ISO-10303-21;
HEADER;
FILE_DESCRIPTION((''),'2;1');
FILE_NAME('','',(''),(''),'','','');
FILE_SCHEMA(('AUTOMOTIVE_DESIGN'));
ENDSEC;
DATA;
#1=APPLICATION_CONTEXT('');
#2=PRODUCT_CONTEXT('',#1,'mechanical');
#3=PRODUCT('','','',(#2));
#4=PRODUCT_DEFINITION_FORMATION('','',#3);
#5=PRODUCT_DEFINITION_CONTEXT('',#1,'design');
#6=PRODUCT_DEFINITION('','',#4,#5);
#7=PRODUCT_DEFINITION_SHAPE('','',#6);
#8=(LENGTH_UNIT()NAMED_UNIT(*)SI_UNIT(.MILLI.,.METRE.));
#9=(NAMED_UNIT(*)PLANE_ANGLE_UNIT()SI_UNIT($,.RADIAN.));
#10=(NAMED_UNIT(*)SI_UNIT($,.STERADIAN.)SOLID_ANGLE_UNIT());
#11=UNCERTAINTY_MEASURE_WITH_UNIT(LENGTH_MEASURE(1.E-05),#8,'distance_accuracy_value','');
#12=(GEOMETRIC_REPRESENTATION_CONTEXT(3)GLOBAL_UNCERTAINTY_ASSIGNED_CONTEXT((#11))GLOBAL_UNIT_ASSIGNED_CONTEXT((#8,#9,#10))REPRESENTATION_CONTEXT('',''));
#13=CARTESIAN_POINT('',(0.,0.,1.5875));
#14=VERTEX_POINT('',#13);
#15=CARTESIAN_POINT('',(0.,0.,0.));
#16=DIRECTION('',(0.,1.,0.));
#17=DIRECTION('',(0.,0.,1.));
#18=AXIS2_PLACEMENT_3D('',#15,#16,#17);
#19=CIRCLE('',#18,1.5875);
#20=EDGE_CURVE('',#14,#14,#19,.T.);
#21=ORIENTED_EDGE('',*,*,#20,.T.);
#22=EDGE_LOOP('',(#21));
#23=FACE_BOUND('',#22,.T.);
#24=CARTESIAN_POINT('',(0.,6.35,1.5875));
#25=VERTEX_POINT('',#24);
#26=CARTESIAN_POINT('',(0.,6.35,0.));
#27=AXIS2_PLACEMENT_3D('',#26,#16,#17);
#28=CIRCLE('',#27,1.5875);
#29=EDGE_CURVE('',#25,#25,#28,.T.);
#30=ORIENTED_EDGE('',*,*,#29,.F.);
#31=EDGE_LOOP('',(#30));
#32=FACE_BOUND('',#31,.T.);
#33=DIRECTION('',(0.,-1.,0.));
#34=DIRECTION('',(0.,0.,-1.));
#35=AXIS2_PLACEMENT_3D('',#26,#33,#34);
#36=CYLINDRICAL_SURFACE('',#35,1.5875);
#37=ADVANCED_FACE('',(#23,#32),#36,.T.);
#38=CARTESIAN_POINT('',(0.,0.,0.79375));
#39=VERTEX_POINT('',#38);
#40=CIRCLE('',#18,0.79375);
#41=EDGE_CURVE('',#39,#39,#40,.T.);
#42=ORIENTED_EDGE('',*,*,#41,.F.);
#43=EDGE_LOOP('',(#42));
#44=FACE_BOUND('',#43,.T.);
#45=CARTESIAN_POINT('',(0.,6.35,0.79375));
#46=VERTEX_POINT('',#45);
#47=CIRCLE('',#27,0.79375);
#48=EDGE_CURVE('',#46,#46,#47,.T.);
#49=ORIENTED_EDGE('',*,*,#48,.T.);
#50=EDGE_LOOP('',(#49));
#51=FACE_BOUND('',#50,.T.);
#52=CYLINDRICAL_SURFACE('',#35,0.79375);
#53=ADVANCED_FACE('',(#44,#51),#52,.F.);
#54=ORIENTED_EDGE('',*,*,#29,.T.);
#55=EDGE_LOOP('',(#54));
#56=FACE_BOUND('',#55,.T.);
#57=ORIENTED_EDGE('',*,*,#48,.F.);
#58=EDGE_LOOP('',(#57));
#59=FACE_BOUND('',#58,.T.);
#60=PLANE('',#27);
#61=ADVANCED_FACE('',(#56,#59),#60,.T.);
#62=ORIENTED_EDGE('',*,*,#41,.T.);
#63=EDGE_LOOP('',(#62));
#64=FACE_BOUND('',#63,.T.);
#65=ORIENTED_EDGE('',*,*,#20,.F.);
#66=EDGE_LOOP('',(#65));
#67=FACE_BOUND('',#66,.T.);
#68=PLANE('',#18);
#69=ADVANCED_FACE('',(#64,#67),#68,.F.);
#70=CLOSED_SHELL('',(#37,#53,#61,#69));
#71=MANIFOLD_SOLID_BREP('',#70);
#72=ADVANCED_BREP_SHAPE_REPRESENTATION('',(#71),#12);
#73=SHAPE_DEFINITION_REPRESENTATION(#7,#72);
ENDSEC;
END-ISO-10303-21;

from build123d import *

# Parameters (mm, degrees)
SKETCH1_R           = 1.5875
SKETCH1_R_2         = 0.79375
BOSS_EXTRUDE1_DEPTH = 6.35


with BuildPart() as part:
    # Sketch1 → Boss-Extrude1 (new body)
    with BuildSketch(Plane(origin=(0, 0, 0), x_dir=(1, 0, 0), z_dir=(0, 1, 0))):
        Circle(SKETCH1_R)
        Circle(SKETCH1_R_2, mode=Mode.SUBTRACT)
    extrude(amount=BOSS_EXTRUDE1_DEPTH)


solid = part.part
